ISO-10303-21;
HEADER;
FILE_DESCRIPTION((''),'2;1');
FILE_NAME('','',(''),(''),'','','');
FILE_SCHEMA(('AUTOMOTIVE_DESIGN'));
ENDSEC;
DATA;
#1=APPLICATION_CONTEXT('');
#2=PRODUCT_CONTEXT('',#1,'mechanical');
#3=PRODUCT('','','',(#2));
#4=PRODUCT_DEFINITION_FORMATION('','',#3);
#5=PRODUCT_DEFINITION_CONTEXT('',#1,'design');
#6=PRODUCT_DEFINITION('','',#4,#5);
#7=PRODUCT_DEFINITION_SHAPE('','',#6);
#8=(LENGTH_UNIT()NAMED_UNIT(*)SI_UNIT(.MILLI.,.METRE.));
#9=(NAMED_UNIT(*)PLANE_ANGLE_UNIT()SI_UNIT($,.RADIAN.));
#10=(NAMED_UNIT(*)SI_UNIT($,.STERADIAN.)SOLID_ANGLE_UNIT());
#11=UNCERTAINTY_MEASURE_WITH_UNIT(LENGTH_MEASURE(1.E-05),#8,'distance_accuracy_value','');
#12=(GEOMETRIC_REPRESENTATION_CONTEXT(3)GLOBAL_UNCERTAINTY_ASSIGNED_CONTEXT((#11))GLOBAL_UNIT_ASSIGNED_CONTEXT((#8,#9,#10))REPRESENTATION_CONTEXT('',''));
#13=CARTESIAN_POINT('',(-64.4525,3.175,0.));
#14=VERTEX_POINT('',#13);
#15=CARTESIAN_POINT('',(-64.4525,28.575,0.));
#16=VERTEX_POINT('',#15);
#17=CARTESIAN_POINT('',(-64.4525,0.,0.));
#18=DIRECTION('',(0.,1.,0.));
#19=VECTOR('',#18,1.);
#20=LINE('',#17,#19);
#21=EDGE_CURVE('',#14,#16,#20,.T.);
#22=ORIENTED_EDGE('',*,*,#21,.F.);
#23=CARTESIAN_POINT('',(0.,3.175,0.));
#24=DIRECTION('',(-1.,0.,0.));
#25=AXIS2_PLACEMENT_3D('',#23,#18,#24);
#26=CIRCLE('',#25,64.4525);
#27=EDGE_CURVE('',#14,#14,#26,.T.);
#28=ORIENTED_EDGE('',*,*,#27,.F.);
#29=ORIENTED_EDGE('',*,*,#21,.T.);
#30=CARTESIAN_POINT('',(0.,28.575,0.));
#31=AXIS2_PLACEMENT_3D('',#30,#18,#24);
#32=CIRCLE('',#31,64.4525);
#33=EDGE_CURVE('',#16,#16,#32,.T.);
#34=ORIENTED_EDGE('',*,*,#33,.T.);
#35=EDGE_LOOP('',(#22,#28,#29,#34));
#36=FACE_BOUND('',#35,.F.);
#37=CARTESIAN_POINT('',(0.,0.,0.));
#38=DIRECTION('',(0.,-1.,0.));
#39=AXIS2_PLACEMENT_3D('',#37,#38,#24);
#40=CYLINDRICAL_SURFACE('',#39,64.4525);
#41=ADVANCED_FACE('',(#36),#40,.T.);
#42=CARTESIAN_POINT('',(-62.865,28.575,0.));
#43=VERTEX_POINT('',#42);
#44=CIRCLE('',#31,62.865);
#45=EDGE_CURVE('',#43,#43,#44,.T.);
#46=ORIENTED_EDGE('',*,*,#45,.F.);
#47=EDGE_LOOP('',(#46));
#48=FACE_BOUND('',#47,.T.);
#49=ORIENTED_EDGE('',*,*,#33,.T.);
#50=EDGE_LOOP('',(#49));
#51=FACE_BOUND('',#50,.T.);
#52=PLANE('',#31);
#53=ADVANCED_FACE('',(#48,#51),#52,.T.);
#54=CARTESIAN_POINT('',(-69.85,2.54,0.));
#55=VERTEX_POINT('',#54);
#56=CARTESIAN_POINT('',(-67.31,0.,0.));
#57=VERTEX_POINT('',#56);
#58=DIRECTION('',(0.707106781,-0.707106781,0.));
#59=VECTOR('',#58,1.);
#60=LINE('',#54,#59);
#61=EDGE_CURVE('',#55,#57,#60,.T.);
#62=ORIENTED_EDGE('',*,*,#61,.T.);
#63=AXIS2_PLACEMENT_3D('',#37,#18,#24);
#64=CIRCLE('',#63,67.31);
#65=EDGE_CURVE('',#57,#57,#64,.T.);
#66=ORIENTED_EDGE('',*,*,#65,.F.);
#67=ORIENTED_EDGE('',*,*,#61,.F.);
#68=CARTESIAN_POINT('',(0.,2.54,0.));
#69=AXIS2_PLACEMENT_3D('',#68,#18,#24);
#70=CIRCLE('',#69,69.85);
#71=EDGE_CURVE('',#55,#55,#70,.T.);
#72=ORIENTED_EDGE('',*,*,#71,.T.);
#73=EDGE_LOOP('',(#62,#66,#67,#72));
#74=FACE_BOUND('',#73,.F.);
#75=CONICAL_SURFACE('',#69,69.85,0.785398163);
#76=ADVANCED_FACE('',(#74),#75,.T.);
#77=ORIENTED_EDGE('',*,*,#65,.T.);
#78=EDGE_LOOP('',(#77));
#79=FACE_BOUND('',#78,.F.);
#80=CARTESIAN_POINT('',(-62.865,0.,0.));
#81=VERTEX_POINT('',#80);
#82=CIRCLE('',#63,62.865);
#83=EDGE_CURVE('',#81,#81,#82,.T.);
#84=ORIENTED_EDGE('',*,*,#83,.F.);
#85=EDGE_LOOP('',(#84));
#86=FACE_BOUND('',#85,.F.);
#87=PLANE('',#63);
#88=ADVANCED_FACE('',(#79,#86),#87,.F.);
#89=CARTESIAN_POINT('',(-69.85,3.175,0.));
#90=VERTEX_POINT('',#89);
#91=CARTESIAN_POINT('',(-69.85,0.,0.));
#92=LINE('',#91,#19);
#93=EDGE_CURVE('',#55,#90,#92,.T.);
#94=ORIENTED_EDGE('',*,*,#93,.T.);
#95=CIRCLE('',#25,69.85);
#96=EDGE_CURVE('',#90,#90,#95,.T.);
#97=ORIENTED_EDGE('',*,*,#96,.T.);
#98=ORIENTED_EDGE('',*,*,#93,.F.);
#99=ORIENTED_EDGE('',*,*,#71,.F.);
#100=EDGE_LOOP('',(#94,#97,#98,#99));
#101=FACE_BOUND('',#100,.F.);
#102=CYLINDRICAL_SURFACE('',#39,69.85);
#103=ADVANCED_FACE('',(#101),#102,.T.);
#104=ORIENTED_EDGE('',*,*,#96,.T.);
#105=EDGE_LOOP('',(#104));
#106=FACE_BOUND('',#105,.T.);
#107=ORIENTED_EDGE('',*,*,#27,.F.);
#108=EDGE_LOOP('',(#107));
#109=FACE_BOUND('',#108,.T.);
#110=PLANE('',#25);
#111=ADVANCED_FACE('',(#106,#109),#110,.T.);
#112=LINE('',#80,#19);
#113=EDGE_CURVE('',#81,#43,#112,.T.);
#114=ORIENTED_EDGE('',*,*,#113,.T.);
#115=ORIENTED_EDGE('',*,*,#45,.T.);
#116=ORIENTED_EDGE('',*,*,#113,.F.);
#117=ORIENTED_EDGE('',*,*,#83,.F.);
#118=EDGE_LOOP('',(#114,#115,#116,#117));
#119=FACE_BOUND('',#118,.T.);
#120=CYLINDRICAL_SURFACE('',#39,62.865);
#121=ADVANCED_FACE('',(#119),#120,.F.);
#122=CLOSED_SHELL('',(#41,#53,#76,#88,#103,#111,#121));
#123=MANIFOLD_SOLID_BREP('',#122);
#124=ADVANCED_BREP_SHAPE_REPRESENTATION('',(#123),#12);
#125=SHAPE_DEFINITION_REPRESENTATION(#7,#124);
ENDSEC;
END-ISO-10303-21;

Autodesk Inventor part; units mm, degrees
ref_plane "YZ Plane" through (0, 0, 0) normal (1, 0, 0) x (0, 1, 0)
ref_plane "XZ Plane" through (0, 0, 0) normal (0, 1, 0) x (-1, 0, 0)
ref_plane "XY Plane" through (0, 0, 0) normal (0, 0, 1) x (1, 0, 0)
sketch "Sketch1" plane through (0, 0, 0) normal (0, 1, 0) x (-1, 0, 0)
  circle A0 centre (0, 0) radius 62.865
  circle A1 centre (0, 0) radius 69.85
  circle A2 centre (0, 0) radius 64.4525
  dimension "d0" = 125.73
  dimension "d1" = 139.7
  dimension "d2" = 1.5875
extrude "Extrusion1" add sketch "Sketch1" along normal blind 28.575 contours A2
extrude "Extrusion2" add sketch "Sketch1" along normal blind 3.175 contours A1
chamfer "Chamfer1" distance 2.54 angle 45 1 edges at (69.85, 0, 0)
properties part number "Bevel V1_3DPrint"
